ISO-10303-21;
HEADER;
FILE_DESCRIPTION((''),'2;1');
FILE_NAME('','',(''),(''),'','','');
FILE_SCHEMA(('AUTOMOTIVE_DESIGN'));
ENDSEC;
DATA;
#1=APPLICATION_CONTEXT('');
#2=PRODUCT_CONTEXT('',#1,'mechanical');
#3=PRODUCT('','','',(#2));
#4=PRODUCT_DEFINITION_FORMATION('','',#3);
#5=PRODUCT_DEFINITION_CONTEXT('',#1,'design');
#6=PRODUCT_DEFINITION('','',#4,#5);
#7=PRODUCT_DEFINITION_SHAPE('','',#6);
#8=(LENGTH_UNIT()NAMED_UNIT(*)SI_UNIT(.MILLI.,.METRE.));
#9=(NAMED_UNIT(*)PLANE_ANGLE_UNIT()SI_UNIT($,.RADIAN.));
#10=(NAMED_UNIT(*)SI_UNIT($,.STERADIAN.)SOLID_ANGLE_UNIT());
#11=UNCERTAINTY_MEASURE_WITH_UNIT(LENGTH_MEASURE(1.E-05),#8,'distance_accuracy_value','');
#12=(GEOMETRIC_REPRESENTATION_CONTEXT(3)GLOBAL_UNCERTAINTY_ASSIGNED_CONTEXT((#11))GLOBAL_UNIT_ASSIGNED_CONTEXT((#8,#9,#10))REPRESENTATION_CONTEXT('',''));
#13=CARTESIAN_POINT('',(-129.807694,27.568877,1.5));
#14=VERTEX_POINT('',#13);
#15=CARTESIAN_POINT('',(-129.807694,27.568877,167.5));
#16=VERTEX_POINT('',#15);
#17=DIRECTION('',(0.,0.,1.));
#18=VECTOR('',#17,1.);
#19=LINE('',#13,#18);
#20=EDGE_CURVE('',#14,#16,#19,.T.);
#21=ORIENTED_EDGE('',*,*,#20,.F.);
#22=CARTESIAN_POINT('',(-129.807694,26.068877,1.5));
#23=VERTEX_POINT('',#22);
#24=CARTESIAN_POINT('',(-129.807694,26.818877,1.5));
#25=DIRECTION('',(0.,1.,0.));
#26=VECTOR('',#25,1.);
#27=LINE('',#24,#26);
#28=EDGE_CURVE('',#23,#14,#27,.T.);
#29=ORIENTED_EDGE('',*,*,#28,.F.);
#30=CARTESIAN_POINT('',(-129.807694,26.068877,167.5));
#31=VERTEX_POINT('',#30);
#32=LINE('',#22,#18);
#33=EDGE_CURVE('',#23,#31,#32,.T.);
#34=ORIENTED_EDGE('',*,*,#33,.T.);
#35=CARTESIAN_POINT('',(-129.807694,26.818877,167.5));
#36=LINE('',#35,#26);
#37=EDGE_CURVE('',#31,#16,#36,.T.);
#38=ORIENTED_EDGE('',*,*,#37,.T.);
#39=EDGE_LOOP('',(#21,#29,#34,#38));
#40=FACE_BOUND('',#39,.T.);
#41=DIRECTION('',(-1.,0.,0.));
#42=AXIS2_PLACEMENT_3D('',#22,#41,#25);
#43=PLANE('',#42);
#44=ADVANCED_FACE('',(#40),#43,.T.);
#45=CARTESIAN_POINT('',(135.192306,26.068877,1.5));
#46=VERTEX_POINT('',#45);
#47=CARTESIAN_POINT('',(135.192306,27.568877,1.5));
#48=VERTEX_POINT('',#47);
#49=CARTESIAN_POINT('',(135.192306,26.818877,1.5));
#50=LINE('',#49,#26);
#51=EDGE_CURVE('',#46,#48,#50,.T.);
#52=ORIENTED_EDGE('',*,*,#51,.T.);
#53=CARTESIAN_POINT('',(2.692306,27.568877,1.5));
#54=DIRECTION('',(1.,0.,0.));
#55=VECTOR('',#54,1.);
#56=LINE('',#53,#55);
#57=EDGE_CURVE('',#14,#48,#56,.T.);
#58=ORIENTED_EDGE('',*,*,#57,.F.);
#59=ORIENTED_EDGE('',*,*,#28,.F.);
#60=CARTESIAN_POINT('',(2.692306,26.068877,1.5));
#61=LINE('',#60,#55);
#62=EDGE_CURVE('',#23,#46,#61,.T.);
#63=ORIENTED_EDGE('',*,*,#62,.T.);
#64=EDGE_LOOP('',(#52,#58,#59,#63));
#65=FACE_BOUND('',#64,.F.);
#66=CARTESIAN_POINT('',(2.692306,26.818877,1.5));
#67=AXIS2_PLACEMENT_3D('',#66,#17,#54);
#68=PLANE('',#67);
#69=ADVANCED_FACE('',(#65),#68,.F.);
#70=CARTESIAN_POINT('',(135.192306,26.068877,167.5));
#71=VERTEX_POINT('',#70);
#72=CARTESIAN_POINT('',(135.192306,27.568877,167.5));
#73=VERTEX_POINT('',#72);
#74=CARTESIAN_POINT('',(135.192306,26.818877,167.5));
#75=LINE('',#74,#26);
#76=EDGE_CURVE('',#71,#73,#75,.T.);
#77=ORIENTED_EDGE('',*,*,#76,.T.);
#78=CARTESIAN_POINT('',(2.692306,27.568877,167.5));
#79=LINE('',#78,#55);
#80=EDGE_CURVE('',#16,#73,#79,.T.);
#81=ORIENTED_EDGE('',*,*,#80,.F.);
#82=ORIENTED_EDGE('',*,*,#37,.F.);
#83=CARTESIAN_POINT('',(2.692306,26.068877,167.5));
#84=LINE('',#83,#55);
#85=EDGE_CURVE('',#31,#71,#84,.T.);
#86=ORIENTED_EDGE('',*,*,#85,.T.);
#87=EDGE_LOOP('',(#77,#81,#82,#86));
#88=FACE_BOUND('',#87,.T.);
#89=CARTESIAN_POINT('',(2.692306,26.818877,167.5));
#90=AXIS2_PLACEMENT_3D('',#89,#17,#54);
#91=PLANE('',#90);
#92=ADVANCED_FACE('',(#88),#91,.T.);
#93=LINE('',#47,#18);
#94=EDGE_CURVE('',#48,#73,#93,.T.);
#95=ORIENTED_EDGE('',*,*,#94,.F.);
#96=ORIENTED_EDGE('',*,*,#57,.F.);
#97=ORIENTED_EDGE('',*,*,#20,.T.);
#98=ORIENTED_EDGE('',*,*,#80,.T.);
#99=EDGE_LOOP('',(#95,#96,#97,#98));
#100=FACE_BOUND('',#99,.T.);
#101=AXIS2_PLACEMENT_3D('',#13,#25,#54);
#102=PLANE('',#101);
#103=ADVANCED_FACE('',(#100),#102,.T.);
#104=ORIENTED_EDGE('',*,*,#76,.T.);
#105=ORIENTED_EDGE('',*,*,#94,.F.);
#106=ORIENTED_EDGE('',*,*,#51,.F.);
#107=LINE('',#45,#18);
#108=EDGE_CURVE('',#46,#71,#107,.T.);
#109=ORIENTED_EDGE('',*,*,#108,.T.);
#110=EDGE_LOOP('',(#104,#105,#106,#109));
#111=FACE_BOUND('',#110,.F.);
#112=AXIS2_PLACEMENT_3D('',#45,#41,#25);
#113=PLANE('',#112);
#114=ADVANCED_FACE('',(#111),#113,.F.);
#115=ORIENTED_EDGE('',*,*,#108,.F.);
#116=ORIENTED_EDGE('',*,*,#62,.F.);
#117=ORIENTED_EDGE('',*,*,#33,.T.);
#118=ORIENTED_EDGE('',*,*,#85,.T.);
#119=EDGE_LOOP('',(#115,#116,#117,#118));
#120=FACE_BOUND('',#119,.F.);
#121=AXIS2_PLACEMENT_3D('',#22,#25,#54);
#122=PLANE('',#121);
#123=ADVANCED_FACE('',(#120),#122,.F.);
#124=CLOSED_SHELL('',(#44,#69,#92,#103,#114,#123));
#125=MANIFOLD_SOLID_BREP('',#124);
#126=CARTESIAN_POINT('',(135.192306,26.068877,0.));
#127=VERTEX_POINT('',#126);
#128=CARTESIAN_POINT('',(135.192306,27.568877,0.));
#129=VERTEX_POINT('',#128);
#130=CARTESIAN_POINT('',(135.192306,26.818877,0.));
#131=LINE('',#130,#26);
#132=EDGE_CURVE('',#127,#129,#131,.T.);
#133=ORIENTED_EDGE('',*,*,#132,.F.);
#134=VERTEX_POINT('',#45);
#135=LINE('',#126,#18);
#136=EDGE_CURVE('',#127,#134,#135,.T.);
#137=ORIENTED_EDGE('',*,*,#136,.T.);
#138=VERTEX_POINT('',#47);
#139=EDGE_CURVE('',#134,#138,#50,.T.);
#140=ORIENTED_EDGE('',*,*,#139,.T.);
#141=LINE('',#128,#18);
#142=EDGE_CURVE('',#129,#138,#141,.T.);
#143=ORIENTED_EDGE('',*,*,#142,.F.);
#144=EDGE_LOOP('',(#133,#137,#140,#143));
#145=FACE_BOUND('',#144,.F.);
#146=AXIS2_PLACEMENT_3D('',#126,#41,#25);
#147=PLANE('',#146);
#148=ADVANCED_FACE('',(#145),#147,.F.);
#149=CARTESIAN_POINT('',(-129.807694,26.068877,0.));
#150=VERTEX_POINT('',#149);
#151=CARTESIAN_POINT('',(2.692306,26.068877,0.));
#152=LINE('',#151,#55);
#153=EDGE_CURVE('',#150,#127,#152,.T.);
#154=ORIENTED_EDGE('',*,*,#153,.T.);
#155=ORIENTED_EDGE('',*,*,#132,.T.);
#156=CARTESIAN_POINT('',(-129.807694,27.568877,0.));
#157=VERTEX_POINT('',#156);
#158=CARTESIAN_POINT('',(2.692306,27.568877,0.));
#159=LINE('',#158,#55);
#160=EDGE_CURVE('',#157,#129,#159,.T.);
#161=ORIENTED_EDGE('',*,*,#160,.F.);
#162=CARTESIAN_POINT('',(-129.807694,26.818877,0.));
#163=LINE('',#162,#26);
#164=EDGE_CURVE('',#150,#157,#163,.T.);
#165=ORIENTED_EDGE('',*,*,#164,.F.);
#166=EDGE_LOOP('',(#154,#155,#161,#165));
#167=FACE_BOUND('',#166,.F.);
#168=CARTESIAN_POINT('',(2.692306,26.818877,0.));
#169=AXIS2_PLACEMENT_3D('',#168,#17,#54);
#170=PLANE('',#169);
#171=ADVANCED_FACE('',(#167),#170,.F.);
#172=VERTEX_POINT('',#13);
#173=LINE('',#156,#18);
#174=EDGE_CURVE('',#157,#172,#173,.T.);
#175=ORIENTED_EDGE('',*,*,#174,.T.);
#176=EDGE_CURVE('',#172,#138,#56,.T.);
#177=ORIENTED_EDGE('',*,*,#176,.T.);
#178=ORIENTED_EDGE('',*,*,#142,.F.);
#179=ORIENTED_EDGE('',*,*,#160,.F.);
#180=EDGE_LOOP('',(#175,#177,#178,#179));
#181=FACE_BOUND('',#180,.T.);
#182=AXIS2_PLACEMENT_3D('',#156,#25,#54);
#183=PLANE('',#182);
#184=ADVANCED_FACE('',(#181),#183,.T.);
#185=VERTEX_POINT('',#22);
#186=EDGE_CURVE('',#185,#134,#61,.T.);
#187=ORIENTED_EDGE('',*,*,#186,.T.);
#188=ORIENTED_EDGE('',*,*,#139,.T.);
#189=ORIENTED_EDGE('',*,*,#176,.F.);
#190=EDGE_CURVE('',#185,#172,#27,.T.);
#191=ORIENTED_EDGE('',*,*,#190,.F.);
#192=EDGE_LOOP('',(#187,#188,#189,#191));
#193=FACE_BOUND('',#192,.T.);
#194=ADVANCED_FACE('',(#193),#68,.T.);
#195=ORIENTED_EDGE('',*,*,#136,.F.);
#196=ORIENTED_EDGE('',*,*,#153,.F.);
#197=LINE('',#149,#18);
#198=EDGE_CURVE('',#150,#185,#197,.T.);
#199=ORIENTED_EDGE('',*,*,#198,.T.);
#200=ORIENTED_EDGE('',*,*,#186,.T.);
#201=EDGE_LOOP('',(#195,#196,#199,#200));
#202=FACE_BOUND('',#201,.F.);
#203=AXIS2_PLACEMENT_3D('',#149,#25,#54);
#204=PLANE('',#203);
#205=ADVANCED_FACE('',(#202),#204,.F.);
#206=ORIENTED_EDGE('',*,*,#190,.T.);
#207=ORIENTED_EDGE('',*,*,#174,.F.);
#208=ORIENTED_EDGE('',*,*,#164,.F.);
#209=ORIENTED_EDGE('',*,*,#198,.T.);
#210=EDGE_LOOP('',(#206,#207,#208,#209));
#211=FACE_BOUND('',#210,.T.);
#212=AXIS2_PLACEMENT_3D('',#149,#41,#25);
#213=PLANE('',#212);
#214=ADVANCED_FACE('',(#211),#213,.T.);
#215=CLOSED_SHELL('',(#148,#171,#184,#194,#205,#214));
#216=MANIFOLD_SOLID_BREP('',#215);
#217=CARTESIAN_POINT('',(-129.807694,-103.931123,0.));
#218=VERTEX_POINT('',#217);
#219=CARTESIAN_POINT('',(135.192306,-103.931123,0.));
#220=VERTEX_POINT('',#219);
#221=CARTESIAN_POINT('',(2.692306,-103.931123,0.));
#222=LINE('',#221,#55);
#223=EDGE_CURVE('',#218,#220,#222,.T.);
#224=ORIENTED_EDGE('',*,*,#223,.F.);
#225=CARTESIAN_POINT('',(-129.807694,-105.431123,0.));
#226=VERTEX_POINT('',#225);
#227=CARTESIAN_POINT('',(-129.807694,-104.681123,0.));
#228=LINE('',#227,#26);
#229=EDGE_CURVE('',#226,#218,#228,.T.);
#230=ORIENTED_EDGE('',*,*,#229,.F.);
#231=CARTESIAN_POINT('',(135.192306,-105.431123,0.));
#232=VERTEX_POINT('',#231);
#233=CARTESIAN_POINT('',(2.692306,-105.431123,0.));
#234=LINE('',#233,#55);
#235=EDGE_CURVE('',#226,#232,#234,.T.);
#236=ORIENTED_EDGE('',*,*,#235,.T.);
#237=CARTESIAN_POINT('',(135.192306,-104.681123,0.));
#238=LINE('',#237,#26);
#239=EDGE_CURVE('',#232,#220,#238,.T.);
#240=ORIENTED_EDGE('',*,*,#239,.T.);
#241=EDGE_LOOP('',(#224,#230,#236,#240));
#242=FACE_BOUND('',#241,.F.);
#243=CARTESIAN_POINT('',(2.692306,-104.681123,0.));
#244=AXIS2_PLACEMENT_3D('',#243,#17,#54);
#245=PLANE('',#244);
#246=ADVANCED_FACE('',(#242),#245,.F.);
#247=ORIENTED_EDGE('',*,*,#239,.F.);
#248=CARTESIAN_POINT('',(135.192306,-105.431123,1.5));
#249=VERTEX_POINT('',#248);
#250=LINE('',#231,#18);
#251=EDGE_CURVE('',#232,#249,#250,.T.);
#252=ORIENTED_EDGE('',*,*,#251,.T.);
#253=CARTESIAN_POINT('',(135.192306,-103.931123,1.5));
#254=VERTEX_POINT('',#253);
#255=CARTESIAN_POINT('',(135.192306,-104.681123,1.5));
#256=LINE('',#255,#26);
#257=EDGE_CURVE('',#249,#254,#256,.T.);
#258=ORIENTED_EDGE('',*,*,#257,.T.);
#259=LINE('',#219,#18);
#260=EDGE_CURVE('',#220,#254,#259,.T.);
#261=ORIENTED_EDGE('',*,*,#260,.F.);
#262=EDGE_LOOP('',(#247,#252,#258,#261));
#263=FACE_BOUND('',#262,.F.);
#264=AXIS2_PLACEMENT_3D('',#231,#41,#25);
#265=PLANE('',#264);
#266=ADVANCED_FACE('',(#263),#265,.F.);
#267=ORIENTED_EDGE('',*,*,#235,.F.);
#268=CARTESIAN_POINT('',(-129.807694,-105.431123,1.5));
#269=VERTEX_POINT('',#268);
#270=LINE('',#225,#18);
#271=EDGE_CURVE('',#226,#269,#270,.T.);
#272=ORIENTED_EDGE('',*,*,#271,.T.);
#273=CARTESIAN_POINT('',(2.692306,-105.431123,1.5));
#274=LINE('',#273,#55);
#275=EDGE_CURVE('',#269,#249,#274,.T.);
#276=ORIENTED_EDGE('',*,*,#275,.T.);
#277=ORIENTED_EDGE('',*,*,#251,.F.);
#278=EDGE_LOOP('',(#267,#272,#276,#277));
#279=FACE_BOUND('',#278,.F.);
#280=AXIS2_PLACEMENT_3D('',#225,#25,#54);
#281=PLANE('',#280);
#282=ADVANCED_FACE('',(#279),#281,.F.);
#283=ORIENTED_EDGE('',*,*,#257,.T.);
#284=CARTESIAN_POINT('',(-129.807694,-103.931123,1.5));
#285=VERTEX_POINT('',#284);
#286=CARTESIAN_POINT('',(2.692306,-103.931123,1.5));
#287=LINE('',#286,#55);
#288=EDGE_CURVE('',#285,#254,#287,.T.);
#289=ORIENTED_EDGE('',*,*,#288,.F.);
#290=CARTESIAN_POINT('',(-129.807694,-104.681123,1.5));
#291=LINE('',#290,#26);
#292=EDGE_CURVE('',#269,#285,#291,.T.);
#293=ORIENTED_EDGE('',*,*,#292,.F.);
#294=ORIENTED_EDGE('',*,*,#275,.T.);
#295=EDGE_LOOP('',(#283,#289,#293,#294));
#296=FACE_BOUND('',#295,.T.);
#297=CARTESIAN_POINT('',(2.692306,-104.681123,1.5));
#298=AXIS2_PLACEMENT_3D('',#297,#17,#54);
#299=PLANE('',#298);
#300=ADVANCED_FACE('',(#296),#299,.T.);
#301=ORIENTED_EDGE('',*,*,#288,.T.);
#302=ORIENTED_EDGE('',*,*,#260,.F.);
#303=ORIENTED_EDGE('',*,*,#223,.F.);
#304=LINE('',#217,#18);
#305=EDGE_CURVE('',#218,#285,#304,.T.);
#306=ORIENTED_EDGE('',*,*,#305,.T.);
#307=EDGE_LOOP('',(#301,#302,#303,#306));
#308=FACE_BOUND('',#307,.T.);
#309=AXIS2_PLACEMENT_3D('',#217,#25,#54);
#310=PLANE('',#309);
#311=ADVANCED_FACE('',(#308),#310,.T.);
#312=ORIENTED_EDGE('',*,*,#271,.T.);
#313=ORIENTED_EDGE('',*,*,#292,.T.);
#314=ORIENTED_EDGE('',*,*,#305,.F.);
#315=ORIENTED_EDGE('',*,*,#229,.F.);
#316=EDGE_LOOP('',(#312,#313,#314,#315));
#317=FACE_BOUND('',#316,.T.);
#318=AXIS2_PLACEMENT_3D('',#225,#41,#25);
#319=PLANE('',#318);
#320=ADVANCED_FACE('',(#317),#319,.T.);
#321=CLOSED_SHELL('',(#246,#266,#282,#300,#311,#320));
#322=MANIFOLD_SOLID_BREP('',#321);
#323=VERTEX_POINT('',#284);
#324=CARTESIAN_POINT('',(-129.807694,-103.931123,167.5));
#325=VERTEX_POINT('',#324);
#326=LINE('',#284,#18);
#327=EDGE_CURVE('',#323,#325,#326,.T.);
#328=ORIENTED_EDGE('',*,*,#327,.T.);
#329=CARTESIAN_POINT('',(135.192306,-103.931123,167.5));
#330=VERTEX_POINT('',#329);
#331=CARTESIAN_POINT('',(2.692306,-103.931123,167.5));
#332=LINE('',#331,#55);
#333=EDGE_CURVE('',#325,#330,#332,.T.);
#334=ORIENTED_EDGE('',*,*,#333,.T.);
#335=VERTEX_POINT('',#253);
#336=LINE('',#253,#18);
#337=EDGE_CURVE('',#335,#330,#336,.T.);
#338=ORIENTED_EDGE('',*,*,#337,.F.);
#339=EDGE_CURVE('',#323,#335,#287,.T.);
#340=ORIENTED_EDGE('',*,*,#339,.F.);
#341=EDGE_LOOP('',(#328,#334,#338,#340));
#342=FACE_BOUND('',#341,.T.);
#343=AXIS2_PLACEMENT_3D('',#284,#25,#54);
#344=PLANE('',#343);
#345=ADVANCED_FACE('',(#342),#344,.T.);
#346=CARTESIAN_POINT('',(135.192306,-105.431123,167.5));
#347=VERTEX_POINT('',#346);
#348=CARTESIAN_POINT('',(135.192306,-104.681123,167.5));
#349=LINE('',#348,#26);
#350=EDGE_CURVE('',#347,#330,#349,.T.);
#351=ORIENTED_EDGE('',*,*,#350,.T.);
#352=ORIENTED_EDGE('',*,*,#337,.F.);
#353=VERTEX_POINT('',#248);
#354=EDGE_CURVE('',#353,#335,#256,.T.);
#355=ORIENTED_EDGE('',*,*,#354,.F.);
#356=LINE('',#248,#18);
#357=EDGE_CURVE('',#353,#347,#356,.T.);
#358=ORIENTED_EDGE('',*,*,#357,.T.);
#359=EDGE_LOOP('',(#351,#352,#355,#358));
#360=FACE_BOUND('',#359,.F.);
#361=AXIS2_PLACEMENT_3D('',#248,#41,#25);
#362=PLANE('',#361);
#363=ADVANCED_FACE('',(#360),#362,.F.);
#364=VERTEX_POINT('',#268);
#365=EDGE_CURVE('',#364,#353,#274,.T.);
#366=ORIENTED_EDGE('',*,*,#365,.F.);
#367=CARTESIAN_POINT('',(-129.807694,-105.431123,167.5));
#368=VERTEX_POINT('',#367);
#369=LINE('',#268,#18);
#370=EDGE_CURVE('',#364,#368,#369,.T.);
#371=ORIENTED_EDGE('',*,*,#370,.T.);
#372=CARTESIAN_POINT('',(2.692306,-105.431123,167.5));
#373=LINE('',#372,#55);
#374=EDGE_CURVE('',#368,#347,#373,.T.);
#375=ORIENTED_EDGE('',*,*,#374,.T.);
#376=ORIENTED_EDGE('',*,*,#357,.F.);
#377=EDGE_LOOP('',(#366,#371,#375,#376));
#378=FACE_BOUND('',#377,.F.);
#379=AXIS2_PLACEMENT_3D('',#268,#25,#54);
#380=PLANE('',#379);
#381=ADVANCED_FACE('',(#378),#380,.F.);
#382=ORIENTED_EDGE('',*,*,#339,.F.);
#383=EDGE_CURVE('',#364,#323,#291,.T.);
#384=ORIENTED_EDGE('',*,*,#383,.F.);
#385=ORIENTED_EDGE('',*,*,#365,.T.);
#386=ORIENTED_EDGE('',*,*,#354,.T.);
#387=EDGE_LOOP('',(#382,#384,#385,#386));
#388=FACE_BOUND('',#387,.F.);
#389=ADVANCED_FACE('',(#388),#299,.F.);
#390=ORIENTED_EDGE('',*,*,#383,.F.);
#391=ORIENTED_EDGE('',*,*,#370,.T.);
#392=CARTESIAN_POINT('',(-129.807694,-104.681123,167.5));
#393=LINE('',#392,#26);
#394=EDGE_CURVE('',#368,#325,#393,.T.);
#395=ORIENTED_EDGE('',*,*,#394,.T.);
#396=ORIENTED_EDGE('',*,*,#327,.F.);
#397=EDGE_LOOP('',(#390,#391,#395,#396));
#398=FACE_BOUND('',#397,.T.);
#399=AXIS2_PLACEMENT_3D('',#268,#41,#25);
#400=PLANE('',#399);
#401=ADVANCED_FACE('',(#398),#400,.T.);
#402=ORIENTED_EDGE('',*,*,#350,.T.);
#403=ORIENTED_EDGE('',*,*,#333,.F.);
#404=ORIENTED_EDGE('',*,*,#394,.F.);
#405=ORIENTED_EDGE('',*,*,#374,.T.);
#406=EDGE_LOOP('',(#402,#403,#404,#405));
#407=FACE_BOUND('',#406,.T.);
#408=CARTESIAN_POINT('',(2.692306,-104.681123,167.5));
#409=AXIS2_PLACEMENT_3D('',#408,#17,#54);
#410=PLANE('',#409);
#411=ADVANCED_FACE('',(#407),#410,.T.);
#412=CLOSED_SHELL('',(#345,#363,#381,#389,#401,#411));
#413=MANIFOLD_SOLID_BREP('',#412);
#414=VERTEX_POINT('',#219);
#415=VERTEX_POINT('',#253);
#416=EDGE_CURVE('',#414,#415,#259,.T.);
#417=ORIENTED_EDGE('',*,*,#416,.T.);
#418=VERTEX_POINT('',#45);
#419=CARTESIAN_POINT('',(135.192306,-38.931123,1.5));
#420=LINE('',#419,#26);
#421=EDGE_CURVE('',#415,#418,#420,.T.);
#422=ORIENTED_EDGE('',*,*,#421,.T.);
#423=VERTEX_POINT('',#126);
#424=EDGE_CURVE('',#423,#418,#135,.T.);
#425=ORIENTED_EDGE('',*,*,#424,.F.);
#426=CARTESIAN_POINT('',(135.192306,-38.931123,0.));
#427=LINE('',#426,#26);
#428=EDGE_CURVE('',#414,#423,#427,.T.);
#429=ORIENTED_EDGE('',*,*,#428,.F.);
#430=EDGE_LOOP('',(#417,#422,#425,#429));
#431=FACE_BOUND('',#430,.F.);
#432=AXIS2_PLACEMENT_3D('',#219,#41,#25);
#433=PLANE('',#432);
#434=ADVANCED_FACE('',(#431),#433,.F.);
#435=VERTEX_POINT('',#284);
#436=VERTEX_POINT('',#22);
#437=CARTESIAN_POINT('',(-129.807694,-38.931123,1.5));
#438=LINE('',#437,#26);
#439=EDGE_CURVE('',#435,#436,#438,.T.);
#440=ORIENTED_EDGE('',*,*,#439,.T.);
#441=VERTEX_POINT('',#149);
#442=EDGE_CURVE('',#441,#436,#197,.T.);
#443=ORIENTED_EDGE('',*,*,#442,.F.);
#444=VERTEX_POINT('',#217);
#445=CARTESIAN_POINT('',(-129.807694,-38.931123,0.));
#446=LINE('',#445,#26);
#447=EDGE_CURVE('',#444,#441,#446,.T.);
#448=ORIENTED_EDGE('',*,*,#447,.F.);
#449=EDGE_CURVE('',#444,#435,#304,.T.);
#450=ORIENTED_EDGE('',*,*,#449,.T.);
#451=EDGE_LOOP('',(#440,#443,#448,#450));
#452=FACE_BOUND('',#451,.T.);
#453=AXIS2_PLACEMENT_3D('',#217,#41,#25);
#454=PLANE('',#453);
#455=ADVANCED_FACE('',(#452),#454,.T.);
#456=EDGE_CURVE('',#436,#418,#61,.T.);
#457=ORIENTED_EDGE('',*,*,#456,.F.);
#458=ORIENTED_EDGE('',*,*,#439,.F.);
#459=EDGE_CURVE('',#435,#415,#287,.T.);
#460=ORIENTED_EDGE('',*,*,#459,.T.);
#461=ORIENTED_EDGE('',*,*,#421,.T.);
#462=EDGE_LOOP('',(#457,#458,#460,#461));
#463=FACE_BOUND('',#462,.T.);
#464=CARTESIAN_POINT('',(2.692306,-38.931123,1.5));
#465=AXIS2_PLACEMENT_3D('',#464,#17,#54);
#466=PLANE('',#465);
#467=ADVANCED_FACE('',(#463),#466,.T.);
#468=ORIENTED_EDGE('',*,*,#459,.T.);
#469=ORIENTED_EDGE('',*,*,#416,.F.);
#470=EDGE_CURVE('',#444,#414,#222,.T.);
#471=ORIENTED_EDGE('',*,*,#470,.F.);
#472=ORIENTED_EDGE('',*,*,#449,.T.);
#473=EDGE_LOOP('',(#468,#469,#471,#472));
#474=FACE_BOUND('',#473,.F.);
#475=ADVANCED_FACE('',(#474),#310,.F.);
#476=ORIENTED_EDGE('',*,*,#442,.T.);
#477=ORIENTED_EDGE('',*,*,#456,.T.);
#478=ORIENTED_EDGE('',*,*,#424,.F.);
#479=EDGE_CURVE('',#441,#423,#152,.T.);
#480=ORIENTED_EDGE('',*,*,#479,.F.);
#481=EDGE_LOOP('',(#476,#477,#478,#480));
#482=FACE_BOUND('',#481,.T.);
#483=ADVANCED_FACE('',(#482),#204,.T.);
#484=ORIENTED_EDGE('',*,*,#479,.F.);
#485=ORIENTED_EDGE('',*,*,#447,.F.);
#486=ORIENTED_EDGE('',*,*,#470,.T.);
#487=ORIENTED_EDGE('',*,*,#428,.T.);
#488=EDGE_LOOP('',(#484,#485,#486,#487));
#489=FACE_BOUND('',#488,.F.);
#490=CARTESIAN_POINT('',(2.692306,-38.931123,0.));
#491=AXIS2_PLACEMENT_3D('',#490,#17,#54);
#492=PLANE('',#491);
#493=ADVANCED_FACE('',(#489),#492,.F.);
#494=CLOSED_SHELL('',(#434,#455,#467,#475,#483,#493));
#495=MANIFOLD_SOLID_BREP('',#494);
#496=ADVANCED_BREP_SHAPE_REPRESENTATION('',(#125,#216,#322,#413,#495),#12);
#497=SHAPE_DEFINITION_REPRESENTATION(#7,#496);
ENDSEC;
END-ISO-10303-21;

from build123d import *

# Parameters (mm, degrees)
F2_W     = 265
F2_H     = 1.5
F3_DEPTH = 1.5
F0_W     = 265
F0_H     = 130
F1_W     = 265
F1_H     = 1.5
F4_DEPTH = 166


with BuildPart() as f3:
    # F2 (on Top) → F3 (new body)
    with BuildSketch(Plane.XY):
        with Locations((2.6923064142, 26.8188768528)):
            Rectangle(F2_W, F2_H)
    extrude(amount=F3_DEPTH)


with BuildPart() as f3b:
    # F0 (on Top) → F3, piece 2 (new body)
    with BuildSketch(Plane.XY):
        with Locations((2.6923064142, -38.9311231472)):
            Rectangle(F0_W, F0_H)
    extrude(amount=F3_DEPTH)


with BuildPart() as f3c:
    # F1 (on Top) → F3, piece 3 (new body)
    with BuildSketch(Plane.XY):
        with Locations((2.6923064142, -104.6811231472)):
            Rectangle(F1_W, F1_H)
    extrude(amount=F3_DEPTH)


with BuildPart() as f4:
    # F4 (new): a face of the model
    f4_faces = [f3.part.faces().sort_by_distance(p)[0] for p in [
        (2.6923064142, 26.8188768528, 1.5),
    ]]
    extrude(f4_faces, amount=F4_DEPTH)


with BuildPart() as f4b:
    # F4#2 (new): a face of the model
    f4_2_faces = [f3c.part.faces().sort_by_distance(p)[0] for p in [
        (2.6923064142, -104.6811231472, 1.5),
    ]]
    extrude(f4_2_faces, amount=F4_DEPTH)


solid = Compound([f3.part, f3b.part, f3c.part, f4.part, f4b.part])
